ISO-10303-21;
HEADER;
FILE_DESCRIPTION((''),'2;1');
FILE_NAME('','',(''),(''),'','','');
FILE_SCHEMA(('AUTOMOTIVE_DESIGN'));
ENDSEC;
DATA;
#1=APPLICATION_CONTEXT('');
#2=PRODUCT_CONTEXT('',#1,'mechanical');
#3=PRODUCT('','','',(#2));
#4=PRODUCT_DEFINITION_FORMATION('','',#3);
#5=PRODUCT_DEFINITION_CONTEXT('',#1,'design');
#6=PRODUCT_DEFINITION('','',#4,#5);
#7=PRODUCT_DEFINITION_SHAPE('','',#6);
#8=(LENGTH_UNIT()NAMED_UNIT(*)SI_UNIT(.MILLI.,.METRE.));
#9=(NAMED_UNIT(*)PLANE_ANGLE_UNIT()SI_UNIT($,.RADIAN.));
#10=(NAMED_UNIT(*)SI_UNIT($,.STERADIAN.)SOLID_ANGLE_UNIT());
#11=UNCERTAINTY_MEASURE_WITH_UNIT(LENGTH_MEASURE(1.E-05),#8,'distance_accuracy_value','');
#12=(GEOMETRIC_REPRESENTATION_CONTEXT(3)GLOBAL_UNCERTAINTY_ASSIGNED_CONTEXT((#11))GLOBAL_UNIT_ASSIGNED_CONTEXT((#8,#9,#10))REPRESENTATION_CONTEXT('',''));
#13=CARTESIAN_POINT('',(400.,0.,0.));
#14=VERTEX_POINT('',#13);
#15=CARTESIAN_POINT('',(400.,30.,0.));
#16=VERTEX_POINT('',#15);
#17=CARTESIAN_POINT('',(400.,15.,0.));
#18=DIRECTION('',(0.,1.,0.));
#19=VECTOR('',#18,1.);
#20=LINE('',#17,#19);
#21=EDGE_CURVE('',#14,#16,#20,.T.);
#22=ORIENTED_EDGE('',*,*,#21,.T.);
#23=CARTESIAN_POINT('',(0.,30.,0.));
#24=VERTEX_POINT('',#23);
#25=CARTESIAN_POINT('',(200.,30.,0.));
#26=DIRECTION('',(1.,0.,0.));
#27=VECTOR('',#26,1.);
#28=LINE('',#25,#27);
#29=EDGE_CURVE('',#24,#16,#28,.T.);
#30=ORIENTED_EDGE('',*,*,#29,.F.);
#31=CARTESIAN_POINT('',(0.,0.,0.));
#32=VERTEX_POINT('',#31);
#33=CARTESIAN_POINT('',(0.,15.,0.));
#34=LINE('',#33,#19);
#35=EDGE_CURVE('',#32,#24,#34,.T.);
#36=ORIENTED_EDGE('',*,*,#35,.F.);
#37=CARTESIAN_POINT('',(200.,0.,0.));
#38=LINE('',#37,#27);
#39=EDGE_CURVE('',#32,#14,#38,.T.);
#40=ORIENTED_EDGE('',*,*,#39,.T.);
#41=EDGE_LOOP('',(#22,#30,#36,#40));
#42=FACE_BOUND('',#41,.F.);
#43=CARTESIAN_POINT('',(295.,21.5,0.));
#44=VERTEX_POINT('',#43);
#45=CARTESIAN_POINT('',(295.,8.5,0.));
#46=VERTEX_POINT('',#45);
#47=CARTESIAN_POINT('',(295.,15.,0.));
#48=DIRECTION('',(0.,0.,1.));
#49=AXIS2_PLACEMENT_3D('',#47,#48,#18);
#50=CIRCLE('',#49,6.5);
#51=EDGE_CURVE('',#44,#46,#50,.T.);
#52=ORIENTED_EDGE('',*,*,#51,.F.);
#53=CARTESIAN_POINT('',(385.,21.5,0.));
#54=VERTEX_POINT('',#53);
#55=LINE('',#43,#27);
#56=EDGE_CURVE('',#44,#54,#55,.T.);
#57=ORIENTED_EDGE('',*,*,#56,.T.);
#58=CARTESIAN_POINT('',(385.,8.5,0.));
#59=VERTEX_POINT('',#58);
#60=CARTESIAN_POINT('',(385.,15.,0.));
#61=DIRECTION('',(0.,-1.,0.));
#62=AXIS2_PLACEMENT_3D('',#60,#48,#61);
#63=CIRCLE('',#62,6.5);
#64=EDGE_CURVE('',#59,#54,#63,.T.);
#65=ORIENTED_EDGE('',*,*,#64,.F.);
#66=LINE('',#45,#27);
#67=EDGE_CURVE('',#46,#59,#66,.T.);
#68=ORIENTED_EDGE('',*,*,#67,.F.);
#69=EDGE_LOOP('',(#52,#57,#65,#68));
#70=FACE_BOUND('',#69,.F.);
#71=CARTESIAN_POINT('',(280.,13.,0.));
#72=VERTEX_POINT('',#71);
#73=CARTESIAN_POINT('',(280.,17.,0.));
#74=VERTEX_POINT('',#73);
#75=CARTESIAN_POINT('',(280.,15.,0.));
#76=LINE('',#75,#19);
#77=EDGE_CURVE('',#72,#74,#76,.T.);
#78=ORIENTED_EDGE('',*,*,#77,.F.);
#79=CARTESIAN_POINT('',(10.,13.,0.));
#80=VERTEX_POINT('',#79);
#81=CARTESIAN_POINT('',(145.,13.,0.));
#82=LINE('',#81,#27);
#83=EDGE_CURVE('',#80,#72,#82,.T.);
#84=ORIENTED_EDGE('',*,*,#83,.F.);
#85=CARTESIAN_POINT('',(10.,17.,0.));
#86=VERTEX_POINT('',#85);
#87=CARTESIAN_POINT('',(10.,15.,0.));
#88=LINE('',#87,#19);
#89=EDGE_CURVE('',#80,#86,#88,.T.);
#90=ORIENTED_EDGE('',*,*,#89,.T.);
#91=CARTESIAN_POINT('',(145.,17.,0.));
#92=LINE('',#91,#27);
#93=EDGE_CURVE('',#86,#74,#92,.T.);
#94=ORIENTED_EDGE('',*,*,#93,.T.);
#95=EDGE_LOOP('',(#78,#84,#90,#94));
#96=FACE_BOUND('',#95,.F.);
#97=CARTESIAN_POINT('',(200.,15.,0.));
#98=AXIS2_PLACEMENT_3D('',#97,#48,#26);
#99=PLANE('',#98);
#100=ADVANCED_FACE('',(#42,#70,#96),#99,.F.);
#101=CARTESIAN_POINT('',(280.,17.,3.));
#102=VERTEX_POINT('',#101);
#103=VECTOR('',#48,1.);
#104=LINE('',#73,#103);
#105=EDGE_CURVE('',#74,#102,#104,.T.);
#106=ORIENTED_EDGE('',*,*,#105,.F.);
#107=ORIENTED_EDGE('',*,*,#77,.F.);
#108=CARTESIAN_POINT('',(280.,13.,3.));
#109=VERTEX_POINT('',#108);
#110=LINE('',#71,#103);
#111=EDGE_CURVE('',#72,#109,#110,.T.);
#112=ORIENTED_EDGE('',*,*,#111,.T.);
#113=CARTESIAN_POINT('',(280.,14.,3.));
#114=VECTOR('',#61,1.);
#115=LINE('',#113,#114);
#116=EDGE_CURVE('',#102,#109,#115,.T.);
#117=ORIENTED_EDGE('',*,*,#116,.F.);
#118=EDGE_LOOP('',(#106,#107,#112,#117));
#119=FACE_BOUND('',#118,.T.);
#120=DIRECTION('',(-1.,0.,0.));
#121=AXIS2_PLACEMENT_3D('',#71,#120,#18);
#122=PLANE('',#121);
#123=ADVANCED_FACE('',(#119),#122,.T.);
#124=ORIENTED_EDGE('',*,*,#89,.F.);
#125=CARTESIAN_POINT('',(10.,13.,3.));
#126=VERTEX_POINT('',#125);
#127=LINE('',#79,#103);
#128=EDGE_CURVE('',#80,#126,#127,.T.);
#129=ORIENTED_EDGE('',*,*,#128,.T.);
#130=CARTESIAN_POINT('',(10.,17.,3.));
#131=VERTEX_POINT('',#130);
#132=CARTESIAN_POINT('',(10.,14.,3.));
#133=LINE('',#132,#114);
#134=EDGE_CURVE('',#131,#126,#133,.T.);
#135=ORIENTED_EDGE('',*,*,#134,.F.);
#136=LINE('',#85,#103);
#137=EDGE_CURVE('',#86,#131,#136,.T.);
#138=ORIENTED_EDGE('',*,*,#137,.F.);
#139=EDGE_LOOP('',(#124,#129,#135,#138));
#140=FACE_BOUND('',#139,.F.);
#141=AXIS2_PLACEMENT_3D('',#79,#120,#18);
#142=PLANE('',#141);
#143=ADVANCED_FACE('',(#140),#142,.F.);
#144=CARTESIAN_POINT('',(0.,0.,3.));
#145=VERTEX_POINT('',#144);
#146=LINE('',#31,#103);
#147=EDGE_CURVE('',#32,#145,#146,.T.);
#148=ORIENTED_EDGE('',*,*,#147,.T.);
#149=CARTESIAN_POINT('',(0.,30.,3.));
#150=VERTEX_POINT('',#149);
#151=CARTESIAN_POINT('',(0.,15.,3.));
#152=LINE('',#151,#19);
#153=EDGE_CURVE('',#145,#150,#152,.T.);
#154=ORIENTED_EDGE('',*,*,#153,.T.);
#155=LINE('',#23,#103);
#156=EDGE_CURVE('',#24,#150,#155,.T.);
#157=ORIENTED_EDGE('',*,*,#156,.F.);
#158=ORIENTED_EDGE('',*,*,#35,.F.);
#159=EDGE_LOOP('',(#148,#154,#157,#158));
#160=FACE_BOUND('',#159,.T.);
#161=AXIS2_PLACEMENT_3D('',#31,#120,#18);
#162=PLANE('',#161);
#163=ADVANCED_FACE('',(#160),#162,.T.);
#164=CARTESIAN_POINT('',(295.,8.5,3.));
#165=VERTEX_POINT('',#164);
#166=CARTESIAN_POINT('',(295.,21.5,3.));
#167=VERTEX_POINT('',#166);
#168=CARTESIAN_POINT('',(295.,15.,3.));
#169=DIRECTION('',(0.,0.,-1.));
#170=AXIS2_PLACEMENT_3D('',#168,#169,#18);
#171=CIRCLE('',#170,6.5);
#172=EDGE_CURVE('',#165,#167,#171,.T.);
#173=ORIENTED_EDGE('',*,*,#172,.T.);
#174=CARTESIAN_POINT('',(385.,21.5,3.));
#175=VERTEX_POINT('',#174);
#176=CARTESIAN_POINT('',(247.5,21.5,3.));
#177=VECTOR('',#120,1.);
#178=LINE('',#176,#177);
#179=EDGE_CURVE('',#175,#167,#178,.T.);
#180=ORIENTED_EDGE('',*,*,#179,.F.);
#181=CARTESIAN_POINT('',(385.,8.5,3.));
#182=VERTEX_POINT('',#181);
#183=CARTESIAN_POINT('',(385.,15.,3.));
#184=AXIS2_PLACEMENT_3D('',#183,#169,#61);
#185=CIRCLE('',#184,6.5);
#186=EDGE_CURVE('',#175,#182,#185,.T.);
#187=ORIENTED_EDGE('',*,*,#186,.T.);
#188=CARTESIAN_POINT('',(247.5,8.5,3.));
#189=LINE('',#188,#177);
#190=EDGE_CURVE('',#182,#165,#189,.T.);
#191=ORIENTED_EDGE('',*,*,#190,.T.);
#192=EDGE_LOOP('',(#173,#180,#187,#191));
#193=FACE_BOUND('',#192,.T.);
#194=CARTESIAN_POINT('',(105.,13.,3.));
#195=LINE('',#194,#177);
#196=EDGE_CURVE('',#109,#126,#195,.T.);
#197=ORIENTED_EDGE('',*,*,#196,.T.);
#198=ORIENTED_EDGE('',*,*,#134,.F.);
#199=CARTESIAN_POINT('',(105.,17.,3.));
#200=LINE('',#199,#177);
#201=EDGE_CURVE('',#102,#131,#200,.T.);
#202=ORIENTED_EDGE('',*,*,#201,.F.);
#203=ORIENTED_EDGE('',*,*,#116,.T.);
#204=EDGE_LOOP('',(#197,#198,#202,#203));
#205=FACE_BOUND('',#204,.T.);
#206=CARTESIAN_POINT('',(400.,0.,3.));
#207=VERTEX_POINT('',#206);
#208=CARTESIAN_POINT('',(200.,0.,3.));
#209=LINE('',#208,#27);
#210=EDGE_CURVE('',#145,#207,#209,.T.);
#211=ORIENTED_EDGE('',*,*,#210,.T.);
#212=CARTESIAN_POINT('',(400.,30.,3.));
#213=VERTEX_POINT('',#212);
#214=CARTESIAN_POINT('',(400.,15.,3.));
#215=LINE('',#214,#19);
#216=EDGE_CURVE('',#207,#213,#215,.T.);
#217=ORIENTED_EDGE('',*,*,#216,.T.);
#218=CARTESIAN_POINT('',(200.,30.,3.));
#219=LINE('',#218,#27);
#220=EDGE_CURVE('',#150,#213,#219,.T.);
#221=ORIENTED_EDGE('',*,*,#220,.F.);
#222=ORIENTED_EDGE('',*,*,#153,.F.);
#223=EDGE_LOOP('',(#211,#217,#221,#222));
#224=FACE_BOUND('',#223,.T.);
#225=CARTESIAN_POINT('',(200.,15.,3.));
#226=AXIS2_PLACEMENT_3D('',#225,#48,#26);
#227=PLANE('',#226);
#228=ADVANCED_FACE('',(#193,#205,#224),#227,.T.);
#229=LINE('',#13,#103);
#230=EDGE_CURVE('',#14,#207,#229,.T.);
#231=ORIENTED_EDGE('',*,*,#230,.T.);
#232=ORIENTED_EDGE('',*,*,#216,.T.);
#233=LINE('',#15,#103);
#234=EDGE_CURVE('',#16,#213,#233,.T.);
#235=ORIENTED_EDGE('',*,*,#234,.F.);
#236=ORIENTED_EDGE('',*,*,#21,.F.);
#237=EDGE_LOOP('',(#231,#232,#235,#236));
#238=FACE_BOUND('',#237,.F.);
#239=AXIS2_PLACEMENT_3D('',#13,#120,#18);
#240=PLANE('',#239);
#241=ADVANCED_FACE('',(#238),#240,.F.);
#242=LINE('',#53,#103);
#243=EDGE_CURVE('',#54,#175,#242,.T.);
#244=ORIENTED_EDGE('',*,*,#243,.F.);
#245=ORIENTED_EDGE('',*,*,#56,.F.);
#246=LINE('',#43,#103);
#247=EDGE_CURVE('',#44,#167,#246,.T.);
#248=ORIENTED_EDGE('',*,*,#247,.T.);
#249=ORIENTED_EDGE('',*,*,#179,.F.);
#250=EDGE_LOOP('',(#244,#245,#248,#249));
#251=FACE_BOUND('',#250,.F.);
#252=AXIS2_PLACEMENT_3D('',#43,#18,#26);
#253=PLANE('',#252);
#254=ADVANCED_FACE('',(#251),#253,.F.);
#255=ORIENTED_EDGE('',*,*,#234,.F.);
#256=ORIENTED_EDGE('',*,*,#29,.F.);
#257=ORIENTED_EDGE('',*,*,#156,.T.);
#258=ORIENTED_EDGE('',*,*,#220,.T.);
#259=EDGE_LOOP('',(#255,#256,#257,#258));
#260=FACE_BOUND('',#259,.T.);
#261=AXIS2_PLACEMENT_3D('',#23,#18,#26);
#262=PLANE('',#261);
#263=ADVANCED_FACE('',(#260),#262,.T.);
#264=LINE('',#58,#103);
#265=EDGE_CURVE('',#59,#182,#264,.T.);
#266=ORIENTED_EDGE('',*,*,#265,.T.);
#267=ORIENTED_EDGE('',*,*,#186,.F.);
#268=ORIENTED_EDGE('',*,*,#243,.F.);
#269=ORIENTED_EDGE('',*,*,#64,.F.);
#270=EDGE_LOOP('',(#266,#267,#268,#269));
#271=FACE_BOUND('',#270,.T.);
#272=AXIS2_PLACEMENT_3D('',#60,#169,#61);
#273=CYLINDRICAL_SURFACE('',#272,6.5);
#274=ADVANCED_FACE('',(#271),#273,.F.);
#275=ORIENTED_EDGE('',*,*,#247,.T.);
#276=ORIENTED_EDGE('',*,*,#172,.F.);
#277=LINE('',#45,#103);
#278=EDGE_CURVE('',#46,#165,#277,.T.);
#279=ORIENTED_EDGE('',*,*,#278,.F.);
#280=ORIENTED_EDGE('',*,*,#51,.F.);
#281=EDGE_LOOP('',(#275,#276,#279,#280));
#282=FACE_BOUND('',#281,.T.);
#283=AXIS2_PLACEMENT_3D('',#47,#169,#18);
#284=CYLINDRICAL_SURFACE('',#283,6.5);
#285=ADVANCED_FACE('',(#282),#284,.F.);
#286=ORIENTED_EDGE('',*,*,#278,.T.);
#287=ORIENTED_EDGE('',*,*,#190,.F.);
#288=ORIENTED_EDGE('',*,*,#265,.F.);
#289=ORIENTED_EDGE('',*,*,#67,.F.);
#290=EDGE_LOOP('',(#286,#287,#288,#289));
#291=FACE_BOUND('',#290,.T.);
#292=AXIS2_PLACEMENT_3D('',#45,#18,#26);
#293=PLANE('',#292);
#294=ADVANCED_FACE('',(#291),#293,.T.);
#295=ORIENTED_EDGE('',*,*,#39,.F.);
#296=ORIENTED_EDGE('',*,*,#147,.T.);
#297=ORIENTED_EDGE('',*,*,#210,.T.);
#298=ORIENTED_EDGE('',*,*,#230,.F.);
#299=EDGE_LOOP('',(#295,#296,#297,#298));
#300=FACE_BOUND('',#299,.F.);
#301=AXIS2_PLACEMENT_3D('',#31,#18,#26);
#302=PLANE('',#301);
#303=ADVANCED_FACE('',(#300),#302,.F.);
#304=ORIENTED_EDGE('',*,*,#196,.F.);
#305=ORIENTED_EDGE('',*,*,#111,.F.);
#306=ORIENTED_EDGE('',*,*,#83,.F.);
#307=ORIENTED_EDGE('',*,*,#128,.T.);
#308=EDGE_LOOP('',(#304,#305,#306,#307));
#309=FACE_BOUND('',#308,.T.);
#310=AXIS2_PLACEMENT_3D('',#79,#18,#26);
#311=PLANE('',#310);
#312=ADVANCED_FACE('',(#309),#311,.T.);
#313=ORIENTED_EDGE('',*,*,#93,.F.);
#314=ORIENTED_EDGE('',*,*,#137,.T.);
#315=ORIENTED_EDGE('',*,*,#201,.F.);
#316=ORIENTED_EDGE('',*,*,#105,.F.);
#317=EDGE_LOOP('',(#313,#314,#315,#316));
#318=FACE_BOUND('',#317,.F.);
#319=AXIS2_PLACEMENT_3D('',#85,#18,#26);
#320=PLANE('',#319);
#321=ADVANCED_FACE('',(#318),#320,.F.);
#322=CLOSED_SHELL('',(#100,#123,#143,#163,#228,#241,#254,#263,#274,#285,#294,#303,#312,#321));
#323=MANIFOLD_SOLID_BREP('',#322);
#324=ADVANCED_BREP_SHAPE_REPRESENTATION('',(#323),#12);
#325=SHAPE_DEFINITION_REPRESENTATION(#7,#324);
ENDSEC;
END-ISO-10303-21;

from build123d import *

# Parameters (mm, degrees)
SKETCH_W     = 400
SKETCH_H     = 30
PAD_DEPTH    = 3
SKETCH001_W  = 270
SKETCH001_H  = 4
POCKET_DEPTH = 3.001


with BuildPart() as part:
    # Sketch → Pad (new body)
    with BuildSketch(Plane.XY):
        with Locations((200, 15)):
            Rectangle(SKETCH_W, SKETCH_H)
    extrude(amount=PAD_DEPTH)

    # Sketch001 → Pocket (cut, through all)
    with BuildSketch(Plane.XY):
        with Locations((145, 15)):
            Rectangle(SKETCH001_W, SKETCH001_H)
        with BuildLine():
            ThreePointArc((295, 21.5), (288.5, 15), (295, 8.5))
            Line((295, 8.5), (385, 8.5))
            ThreePointArc((385, 8.5), (391.5, 15), (385, 21.5))
            Line((295, 21.5), (385, 21.5))
        make_face()
    extrude(amount=POCKET_DEPTH, mode=Mode.SUBTRACT)


solid = part.part
